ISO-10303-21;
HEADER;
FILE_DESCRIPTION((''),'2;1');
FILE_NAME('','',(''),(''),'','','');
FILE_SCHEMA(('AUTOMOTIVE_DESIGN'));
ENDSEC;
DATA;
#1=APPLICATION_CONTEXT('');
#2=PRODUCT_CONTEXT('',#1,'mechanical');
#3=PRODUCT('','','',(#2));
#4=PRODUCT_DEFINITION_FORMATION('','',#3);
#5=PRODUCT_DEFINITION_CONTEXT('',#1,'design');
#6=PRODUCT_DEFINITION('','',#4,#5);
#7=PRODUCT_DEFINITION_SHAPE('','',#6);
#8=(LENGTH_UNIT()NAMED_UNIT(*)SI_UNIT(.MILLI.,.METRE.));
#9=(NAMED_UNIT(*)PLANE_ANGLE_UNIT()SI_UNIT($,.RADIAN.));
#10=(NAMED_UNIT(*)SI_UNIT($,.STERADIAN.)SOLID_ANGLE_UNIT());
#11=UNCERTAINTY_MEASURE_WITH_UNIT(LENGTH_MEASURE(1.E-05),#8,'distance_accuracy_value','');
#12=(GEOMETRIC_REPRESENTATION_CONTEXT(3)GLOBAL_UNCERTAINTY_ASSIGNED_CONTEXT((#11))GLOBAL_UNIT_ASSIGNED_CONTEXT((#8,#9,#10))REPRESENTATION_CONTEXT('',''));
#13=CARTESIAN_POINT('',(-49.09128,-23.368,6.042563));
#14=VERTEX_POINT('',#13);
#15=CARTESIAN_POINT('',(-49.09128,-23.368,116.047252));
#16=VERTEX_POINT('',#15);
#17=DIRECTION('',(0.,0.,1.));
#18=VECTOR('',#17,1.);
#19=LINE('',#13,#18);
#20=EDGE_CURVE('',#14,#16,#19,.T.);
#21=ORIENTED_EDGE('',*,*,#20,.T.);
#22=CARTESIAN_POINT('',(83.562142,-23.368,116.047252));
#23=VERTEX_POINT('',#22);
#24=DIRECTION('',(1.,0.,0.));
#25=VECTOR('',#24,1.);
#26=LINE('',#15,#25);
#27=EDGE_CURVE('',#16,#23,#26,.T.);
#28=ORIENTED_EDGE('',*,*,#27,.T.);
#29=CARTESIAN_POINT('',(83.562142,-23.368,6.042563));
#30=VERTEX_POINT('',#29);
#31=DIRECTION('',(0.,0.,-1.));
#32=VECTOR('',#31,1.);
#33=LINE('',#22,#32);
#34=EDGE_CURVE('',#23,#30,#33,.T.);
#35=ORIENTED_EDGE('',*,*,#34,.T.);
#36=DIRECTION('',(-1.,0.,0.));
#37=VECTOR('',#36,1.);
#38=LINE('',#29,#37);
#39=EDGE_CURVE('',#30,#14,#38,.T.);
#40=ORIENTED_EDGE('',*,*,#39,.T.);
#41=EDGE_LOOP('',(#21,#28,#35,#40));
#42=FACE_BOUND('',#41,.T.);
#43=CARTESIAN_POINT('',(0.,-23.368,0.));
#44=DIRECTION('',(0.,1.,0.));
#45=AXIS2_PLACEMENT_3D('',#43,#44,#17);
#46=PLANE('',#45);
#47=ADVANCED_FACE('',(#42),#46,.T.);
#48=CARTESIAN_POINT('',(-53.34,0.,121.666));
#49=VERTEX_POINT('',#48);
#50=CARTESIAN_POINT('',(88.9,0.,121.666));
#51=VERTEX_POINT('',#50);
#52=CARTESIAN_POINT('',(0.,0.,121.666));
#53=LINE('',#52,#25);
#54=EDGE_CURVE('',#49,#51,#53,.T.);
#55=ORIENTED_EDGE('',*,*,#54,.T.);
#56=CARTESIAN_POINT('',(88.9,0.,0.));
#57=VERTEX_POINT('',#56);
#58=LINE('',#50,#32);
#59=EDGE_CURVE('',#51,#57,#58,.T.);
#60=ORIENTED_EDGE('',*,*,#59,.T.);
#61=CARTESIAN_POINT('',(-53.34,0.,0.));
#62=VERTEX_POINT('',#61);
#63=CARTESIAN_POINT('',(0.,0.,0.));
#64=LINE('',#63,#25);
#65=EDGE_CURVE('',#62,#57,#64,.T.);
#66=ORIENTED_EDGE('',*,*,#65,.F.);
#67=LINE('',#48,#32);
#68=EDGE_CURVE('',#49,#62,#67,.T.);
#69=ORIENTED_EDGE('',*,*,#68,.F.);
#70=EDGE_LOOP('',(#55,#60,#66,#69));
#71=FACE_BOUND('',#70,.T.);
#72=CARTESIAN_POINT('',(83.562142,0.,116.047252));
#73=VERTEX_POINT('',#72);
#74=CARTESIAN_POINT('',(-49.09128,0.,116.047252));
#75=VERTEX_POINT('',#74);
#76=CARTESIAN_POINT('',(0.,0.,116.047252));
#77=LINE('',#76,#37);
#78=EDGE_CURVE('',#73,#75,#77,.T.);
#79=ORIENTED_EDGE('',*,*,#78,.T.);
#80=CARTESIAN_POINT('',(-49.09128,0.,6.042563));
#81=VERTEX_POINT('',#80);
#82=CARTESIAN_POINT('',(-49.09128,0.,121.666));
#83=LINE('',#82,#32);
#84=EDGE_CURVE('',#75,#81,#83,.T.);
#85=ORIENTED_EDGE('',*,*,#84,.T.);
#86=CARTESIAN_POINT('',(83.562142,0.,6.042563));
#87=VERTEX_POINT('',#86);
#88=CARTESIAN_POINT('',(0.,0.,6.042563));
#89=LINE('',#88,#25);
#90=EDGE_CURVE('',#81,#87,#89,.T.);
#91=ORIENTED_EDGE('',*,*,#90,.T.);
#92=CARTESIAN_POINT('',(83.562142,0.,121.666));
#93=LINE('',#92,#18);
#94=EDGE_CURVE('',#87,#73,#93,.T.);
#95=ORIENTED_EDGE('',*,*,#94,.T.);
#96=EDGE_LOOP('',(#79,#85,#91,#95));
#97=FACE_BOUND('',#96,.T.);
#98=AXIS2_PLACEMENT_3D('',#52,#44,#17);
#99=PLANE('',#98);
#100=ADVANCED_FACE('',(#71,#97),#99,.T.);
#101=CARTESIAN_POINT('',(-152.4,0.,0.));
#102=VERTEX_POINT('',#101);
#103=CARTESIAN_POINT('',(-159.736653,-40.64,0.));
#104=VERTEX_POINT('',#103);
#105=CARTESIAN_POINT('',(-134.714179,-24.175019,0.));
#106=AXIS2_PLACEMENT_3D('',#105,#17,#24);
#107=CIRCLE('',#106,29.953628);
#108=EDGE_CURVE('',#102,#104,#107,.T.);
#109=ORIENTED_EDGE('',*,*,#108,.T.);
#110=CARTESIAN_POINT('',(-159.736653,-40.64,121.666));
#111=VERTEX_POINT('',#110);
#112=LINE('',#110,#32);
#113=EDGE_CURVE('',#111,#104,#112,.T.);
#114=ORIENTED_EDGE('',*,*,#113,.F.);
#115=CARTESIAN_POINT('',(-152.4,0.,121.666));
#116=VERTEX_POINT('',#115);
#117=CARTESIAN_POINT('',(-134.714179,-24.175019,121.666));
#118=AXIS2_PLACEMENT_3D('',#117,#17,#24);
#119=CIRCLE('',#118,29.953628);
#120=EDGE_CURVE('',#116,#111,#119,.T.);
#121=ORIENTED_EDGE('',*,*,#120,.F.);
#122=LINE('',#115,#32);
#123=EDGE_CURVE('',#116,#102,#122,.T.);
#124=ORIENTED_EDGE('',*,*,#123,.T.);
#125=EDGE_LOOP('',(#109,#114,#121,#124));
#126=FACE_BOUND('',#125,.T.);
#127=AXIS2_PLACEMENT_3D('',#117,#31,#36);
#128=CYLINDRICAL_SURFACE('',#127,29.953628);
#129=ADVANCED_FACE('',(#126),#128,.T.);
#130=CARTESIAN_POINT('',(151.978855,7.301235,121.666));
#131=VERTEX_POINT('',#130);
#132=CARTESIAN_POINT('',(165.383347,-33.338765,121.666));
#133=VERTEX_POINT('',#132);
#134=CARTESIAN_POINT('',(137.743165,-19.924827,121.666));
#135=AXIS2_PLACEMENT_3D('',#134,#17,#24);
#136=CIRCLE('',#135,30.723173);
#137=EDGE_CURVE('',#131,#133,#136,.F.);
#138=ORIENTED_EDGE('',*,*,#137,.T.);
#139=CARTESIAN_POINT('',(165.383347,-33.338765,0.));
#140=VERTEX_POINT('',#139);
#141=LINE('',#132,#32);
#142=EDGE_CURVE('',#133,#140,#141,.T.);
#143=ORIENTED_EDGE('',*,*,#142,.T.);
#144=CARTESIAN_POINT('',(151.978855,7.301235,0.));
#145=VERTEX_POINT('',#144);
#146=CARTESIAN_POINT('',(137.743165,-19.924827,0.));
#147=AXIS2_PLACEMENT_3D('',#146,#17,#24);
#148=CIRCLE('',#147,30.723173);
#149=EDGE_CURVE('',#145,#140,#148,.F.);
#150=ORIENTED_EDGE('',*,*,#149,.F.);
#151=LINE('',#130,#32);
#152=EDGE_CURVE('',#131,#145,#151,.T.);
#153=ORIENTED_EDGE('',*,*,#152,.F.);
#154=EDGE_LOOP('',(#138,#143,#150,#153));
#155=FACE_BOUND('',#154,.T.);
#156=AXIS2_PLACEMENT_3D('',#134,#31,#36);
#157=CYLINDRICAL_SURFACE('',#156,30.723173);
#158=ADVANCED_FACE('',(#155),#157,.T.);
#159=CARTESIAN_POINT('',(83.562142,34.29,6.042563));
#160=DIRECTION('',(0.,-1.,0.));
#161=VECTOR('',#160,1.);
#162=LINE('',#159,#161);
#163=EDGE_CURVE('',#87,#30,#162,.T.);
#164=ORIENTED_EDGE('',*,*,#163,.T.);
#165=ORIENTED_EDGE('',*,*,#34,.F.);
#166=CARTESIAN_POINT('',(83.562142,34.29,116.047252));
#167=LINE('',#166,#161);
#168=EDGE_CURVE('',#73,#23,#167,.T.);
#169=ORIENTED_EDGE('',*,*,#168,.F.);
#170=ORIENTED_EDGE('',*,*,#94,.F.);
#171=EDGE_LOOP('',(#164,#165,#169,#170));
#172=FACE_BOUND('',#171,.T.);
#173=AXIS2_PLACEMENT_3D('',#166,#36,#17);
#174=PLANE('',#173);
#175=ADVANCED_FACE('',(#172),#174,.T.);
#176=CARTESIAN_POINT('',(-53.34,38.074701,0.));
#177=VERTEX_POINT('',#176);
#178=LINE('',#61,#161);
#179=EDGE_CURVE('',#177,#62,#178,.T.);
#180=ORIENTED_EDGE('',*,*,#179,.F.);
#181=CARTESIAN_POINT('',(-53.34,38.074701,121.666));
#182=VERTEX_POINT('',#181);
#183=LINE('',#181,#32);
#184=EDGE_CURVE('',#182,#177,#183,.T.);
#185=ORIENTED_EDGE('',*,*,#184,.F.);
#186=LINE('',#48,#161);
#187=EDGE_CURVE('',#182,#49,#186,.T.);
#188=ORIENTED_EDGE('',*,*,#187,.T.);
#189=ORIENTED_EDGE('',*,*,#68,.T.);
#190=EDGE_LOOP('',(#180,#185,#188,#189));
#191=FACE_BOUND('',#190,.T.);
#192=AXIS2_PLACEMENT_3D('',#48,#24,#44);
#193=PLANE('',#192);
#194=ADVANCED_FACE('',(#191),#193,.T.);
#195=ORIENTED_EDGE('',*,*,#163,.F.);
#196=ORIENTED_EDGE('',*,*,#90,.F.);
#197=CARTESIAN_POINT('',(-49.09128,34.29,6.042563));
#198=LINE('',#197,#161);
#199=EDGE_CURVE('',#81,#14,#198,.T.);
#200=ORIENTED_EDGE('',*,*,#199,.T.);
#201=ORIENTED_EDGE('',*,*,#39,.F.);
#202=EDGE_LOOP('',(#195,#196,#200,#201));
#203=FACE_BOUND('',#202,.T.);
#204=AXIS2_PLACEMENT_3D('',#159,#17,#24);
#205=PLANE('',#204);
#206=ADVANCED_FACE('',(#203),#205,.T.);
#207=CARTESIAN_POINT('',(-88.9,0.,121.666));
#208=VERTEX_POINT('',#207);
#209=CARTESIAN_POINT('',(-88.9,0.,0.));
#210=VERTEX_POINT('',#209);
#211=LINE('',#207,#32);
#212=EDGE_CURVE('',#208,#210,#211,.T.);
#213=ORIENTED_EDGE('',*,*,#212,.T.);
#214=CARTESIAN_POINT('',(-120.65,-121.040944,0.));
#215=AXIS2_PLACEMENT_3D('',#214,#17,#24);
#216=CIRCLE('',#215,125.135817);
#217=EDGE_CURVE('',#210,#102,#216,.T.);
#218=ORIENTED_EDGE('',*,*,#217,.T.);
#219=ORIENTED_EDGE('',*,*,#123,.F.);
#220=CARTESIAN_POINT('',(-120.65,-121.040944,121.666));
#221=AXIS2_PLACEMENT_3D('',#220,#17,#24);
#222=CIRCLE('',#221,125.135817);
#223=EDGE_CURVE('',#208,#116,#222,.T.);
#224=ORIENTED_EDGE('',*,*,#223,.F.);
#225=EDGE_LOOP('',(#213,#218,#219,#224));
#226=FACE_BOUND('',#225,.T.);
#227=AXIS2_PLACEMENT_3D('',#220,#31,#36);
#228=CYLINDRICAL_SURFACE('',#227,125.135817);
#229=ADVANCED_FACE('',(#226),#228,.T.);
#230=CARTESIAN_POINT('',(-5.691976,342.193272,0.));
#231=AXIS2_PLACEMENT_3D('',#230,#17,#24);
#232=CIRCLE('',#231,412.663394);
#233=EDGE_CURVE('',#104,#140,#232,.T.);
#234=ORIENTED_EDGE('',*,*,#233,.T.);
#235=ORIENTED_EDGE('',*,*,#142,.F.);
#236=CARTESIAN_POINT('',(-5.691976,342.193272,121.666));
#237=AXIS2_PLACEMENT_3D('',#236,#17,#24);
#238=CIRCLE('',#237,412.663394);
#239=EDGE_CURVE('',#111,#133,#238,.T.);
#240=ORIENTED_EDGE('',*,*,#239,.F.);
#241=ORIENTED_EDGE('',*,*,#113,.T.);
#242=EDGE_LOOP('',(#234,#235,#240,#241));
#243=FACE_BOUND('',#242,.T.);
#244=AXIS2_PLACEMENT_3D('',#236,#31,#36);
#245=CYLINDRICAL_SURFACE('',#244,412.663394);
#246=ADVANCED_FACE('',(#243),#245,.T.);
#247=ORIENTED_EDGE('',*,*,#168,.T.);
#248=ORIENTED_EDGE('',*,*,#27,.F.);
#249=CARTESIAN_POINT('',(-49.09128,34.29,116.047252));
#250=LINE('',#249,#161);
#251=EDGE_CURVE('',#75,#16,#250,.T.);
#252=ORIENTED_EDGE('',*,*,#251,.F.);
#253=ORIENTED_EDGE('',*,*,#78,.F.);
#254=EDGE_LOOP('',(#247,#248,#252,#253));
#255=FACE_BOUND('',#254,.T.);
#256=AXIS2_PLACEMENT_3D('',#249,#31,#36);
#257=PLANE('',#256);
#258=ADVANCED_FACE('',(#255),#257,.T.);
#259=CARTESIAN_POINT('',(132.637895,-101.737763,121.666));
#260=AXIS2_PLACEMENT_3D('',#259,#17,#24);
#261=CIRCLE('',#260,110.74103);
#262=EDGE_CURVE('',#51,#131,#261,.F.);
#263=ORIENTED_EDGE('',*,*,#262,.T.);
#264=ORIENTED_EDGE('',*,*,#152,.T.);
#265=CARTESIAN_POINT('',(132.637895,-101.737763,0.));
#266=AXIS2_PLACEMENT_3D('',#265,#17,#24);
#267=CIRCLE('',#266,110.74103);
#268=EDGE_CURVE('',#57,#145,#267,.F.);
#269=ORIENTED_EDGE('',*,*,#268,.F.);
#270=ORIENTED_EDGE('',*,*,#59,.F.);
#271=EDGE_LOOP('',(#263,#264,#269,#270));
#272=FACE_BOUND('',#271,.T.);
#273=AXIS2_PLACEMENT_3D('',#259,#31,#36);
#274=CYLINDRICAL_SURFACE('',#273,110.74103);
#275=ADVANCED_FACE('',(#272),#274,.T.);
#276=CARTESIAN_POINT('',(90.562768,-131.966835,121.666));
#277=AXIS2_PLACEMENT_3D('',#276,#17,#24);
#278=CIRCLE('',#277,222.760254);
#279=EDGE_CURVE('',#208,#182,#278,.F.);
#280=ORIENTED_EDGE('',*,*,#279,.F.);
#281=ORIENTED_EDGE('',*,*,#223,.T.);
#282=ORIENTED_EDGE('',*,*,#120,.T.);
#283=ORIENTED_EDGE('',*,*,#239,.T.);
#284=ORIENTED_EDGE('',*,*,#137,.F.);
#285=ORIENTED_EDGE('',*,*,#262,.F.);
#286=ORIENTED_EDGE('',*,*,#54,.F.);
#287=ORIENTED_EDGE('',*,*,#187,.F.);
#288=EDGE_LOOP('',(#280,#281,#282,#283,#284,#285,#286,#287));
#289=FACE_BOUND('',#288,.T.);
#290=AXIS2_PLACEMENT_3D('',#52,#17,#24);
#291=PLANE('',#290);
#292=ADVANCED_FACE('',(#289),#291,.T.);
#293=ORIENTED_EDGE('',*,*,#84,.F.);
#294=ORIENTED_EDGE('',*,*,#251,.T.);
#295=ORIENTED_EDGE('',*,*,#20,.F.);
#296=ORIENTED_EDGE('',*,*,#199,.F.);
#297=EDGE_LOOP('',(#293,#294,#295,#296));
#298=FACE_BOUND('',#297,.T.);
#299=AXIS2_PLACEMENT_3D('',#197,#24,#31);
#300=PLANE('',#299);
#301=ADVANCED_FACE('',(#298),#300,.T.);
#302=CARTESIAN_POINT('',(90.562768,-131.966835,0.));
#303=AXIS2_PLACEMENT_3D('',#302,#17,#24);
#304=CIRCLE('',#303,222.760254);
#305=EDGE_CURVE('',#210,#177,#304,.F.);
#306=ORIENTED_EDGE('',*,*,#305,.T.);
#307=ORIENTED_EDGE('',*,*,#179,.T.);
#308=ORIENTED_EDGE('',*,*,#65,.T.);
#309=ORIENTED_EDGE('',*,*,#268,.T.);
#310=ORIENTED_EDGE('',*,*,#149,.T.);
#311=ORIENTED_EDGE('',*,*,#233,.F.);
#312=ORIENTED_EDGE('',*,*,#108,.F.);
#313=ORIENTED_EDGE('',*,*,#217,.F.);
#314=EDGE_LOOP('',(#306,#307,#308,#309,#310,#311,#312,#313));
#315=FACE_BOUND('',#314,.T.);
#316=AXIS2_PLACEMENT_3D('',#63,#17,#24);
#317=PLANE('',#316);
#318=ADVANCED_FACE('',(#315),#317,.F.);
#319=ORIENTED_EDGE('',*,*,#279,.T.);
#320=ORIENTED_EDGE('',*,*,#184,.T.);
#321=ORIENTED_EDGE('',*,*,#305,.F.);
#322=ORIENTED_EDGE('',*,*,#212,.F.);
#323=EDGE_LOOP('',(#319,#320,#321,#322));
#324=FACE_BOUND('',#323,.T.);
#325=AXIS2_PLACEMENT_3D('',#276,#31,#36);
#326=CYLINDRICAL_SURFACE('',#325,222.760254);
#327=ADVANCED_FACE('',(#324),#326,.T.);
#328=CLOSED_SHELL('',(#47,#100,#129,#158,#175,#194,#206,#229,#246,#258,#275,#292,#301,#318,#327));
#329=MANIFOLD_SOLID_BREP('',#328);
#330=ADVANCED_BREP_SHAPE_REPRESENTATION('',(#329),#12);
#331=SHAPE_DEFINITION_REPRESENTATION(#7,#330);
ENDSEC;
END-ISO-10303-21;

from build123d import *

# Parameters (mm, degrees)
BOSS_EXTRUDE2_DEPTH     = 121.666
SKETCH4_W               = 132.653422834
SKETCH4_H               = 110.004689212
CUT_EXTRUDE1_DEPTH      = 34.29
CUT_EXTRUDE1_DEPTH_BACK = 23.368


with BuildPart() as part:
    # Sketch2 → Boss-Extrude2 (new body)
    with BuildSketch(Plane.XY):
        with BuildLine():
            Line((88.9, 0), (-53.34, 0))
            Line((-53.34, 0), (-53.34, 38.074701195))
            ThreePointArc((-53.34, 38.074701195), (-72.236919303, 20.080501277), (-88.9, 0))
            ThreePointArc((-88.9, 0), (-120.65, 4.094872711), (-152.4, 0))
            ThreePointArc((-152.4, 0), (-164.191323146, -18.853572603), (-159.736653386, -40.64))
            ThreePointArc((-159.736653386, -40.64), (3.572889221, -70.366104417), (165.383346614, -33.33876494))
            ThreePointArc((165.383346614, -33.33876494), (166.92020334, -10.301221175), (151.978855147, 7.30123506))
            ThreePointArc((151.978855147, 7.30123506), (119.904882148, 8.268810644), (88.9, 0))
        make_face()
    extrude(amount=BOSS_EXTRUDE2_DEPTH)

    # Sketch4 → Cut-Extrude1 (cut, two sides)
    with BuildSketch(Plane(origin=(0, 0, 0), x_dir=(1, 0, 0), z_dir=(0, 1, 0))) as cut_extrude1_sk:
        with Locations((17.235431011, -61.044907142)):
            Rectangle(SKETCH4_W, SKETCH4_H)
    extrude(amount=CUT_EXTRUDE1_DEPTH, mode=Mode.SUBTRACT)
    extrude(cut_extrude1_sk.sketch, amount=-CUT_EXTRUDE1_DEPTH_BACK, mode=Mode.SUBTRACT)


solid = part.part
